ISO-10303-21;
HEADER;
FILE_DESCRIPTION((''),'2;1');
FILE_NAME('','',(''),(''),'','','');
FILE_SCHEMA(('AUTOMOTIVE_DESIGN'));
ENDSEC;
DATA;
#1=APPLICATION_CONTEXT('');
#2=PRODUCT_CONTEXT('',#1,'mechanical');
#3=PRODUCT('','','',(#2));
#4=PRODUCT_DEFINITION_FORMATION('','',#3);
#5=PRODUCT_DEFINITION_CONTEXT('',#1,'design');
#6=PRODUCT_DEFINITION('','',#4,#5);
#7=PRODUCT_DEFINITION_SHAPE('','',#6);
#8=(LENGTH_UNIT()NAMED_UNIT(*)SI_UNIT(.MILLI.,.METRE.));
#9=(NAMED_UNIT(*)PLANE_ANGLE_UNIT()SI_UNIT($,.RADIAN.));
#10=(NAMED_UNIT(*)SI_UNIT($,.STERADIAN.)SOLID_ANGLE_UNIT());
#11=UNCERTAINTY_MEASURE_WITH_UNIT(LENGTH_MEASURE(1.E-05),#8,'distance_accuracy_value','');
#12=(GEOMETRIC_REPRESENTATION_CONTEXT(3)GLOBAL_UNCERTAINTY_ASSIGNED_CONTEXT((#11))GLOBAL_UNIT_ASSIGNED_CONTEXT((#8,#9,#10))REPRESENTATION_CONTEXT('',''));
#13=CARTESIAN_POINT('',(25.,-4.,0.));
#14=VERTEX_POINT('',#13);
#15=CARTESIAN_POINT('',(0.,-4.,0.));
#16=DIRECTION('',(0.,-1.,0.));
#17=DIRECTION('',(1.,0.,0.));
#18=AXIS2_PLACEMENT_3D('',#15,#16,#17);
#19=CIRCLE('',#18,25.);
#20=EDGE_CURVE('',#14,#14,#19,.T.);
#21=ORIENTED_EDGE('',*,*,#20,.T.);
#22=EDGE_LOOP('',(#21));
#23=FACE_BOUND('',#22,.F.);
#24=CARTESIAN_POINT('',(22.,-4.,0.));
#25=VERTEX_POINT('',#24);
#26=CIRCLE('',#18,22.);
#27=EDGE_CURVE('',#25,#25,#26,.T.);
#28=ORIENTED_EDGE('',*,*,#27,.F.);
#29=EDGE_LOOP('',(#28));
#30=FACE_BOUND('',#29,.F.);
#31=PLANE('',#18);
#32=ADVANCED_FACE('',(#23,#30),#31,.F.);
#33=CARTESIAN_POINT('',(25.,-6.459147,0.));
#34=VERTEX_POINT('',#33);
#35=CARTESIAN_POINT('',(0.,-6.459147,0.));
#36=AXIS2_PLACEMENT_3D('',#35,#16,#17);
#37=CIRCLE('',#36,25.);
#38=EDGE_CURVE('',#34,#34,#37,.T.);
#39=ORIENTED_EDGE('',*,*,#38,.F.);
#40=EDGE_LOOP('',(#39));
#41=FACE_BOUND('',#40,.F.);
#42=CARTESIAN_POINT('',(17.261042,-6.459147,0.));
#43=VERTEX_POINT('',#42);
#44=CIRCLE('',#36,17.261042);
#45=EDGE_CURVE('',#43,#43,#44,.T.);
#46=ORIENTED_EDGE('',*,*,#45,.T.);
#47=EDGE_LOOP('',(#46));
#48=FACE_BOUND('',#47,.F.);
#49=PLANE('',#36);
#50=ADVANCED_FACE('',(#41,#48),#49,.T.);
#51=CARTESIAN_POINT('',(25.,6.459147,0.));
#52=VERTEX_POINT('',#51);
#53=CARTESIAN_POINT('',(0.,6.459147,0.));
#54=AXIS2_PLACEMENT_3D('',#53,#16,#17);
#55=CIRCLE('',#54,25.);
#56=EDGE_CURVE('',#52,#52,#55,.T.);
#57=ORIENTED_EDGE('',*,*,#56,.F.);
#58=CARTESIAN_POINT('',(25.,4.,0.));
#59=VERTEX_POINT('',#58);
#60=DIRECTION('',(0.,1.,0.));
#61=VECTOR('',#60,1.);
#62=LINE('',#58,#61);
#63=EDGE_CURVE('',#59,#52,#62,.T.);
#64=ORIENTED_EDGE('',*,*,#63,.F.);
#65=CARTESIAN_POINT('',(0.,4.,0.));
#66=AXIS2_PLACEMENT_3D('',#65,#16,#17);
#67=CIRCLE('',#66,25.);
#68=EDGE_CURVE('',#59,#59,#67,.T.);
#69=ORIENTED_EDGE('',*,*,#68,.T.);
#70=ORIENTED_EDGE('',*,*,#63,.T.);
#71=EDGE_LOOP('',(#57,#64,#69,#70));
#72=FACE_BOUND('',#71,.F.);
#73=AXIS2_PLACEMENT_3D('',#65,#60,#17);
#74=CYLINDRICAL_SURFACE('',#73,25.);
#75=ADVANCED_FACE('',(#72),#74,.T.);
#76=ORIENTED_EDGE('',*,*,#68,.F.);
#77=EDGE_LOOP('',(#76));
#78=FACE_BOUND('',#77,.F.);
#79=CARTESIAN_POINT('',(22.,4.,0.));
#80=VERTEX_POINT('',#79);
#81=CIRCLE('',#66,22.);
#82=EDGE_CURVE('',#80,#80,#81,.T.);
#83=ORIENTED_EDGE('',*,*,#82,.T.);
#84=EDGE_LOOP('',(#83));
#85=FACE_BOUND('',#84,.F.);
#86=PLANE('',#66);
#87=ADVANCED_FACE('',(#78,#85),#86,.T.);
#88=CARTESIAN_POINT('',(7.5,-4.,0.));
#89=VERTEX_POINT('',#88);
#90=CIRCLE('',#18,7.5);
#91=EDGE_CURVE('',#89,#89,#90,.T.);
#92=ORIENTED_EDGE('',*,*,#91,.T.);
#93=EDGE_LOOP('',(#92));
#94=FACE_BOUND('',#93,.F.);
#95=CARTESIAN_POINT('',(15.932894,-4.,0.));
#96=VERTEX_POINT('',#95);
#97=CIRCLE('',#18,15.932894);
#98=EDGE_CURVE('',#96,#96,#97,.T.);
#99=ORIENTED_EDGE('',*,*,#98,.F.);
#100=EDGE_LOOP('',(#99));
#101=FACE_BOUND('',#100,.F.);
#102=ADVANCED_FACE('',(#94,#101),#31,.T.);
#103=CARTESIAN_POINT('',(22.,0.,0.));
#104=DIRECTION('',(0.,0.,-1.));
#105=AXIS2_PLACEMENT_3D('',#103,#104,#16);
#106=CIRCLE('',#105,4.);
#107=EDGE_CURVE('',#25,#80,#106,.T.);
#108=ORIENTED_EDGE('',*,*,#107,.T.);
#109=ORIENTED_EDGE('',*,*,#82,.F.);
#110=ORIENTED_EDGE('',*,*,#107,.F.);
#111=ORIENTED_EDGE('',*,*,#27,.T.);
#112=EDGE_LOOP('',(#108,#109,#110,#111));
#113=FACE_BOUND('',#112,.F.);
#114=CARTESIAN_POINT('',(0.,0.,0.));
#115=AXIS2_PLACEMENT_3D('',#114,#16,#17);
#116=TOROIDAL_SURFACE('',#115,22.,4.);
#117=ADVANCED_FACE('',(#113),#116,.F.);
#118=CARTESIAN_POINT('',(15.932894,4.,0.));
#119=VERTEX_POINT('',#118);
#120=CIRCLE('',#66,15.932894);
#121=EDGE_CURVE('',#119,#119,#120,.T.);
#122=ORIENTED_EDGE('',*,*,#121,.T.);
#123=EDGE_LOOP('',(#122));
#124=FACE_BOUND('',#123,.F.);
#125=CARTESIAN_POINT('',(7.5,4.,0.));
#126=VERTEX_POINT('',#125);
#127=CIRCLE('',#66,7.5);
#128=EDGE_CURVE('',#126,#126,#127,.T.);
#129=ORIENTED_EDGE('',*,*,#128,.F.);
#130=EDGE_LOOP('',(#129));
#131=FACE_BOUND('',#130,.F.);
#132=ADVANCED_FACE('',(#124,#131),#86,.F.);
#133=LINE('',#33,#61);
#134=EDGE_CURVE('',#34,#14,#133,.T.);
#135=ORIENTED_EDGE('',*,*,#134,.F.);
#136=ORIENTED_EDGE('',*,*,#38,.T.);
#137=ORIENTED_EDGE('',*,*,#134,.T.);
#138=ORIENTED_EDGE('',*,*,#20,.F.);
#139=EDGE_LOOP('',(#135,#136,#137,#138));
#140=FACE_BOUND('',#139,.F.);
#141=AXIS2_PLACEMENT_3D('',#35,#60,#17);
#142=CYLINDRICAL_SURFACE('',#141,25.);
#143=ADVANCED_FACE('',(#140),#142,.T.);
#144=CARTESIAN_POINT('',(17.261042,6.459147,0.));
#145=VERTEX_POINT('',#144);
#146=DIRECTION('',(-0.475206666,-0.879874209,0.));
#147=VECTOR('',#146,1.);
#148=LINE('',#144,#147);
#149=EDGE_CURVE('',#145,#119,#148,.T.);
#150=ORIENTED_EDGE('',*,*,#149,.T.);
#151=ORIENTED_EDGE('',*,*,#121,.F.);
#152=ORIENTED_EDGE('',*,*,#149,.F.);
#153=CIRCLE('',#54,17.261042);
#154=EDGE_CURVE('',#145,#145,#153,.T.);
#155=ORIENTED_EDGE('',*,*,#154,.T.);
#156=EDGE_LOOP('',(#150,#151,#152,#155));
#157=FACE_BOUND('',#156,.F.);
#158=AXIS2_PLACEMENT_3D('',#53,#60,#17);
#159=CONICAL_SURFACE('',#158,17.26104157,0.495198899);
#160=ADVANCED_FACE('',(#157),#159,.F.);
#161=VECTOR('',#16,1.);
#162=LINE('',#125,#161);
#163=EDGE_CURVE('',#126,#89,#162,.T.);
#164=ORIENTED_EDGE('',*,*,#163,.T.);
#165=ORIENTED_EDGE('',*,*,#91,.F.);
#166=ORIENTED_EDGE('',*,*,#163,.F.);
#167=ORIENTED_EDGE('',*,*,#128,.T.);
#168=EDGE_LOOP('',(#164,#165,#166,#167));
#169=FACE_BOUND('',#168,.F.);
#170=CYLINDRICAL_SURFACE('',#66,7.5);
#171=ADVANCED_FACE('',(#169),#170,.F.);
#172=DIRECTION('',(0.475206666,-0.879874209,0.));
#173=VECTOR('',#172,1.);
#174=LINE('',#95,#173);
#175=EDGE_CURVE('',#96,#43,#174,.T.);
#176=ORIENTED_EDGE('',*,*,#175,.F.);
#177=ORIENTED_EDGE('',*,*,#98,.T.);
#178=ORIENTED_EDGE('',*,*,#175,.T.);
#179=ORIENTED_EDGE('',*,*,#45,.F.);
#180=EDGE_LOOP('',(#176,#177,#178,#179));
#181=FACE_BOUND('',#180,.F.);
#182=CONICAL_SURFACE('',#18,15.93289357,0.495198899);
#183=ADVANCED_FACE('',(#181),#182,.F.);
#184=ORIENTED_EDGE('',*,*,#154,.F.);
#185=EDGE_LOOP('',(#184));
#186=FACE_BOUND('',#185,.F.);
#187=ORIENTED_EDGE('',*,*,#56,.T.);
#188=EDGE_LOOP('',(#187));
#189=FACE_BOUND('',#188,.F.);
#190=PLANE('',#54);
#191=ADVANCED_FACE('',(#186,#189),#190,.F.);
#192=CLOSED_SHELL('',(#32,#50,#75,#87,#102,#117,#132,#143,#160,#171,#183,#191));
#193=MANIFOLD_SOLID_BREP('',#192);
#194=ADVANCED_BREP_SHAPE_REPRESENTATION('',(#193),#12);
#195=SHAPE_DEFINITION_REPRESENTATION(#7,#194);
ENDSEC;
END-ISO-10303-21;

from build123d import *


with BuildPart() as part:
    # Эскиз1 → Повернуть1 (revolve)
    with BuildSketch(Plane.XY):
        with BuildLine():
            Line((7.5, 4), (7.5, -4))
            Line((7.5, -4), (15.93289357, -4))
            Line((15.93289357, -4), (17.26104157, -6.459147259))
            Line((17.26104157, -6.459147259), (25, -6.459147259))
            Line((25, -6.459147259), (25, -4))
            Line((25, -4), (22, -4))
            ThreePointArc((22, -4), (18, 0), (22, 4))
            Line((22, 4), (25, 4))
            Line((25, 4), (25, 6.459147259))
            Line((25, 6.459147259), (17.26104157, 6.459147259))
            Line((17.26104157, 6.459147259), (15.93289357, 4))
            Line((15.93289357, 4), (7.5, 4))
        make_face()
    revolve(axis=Axis((0, 40.932480583, 0), (0, -1, 0)))


solid = part.part
